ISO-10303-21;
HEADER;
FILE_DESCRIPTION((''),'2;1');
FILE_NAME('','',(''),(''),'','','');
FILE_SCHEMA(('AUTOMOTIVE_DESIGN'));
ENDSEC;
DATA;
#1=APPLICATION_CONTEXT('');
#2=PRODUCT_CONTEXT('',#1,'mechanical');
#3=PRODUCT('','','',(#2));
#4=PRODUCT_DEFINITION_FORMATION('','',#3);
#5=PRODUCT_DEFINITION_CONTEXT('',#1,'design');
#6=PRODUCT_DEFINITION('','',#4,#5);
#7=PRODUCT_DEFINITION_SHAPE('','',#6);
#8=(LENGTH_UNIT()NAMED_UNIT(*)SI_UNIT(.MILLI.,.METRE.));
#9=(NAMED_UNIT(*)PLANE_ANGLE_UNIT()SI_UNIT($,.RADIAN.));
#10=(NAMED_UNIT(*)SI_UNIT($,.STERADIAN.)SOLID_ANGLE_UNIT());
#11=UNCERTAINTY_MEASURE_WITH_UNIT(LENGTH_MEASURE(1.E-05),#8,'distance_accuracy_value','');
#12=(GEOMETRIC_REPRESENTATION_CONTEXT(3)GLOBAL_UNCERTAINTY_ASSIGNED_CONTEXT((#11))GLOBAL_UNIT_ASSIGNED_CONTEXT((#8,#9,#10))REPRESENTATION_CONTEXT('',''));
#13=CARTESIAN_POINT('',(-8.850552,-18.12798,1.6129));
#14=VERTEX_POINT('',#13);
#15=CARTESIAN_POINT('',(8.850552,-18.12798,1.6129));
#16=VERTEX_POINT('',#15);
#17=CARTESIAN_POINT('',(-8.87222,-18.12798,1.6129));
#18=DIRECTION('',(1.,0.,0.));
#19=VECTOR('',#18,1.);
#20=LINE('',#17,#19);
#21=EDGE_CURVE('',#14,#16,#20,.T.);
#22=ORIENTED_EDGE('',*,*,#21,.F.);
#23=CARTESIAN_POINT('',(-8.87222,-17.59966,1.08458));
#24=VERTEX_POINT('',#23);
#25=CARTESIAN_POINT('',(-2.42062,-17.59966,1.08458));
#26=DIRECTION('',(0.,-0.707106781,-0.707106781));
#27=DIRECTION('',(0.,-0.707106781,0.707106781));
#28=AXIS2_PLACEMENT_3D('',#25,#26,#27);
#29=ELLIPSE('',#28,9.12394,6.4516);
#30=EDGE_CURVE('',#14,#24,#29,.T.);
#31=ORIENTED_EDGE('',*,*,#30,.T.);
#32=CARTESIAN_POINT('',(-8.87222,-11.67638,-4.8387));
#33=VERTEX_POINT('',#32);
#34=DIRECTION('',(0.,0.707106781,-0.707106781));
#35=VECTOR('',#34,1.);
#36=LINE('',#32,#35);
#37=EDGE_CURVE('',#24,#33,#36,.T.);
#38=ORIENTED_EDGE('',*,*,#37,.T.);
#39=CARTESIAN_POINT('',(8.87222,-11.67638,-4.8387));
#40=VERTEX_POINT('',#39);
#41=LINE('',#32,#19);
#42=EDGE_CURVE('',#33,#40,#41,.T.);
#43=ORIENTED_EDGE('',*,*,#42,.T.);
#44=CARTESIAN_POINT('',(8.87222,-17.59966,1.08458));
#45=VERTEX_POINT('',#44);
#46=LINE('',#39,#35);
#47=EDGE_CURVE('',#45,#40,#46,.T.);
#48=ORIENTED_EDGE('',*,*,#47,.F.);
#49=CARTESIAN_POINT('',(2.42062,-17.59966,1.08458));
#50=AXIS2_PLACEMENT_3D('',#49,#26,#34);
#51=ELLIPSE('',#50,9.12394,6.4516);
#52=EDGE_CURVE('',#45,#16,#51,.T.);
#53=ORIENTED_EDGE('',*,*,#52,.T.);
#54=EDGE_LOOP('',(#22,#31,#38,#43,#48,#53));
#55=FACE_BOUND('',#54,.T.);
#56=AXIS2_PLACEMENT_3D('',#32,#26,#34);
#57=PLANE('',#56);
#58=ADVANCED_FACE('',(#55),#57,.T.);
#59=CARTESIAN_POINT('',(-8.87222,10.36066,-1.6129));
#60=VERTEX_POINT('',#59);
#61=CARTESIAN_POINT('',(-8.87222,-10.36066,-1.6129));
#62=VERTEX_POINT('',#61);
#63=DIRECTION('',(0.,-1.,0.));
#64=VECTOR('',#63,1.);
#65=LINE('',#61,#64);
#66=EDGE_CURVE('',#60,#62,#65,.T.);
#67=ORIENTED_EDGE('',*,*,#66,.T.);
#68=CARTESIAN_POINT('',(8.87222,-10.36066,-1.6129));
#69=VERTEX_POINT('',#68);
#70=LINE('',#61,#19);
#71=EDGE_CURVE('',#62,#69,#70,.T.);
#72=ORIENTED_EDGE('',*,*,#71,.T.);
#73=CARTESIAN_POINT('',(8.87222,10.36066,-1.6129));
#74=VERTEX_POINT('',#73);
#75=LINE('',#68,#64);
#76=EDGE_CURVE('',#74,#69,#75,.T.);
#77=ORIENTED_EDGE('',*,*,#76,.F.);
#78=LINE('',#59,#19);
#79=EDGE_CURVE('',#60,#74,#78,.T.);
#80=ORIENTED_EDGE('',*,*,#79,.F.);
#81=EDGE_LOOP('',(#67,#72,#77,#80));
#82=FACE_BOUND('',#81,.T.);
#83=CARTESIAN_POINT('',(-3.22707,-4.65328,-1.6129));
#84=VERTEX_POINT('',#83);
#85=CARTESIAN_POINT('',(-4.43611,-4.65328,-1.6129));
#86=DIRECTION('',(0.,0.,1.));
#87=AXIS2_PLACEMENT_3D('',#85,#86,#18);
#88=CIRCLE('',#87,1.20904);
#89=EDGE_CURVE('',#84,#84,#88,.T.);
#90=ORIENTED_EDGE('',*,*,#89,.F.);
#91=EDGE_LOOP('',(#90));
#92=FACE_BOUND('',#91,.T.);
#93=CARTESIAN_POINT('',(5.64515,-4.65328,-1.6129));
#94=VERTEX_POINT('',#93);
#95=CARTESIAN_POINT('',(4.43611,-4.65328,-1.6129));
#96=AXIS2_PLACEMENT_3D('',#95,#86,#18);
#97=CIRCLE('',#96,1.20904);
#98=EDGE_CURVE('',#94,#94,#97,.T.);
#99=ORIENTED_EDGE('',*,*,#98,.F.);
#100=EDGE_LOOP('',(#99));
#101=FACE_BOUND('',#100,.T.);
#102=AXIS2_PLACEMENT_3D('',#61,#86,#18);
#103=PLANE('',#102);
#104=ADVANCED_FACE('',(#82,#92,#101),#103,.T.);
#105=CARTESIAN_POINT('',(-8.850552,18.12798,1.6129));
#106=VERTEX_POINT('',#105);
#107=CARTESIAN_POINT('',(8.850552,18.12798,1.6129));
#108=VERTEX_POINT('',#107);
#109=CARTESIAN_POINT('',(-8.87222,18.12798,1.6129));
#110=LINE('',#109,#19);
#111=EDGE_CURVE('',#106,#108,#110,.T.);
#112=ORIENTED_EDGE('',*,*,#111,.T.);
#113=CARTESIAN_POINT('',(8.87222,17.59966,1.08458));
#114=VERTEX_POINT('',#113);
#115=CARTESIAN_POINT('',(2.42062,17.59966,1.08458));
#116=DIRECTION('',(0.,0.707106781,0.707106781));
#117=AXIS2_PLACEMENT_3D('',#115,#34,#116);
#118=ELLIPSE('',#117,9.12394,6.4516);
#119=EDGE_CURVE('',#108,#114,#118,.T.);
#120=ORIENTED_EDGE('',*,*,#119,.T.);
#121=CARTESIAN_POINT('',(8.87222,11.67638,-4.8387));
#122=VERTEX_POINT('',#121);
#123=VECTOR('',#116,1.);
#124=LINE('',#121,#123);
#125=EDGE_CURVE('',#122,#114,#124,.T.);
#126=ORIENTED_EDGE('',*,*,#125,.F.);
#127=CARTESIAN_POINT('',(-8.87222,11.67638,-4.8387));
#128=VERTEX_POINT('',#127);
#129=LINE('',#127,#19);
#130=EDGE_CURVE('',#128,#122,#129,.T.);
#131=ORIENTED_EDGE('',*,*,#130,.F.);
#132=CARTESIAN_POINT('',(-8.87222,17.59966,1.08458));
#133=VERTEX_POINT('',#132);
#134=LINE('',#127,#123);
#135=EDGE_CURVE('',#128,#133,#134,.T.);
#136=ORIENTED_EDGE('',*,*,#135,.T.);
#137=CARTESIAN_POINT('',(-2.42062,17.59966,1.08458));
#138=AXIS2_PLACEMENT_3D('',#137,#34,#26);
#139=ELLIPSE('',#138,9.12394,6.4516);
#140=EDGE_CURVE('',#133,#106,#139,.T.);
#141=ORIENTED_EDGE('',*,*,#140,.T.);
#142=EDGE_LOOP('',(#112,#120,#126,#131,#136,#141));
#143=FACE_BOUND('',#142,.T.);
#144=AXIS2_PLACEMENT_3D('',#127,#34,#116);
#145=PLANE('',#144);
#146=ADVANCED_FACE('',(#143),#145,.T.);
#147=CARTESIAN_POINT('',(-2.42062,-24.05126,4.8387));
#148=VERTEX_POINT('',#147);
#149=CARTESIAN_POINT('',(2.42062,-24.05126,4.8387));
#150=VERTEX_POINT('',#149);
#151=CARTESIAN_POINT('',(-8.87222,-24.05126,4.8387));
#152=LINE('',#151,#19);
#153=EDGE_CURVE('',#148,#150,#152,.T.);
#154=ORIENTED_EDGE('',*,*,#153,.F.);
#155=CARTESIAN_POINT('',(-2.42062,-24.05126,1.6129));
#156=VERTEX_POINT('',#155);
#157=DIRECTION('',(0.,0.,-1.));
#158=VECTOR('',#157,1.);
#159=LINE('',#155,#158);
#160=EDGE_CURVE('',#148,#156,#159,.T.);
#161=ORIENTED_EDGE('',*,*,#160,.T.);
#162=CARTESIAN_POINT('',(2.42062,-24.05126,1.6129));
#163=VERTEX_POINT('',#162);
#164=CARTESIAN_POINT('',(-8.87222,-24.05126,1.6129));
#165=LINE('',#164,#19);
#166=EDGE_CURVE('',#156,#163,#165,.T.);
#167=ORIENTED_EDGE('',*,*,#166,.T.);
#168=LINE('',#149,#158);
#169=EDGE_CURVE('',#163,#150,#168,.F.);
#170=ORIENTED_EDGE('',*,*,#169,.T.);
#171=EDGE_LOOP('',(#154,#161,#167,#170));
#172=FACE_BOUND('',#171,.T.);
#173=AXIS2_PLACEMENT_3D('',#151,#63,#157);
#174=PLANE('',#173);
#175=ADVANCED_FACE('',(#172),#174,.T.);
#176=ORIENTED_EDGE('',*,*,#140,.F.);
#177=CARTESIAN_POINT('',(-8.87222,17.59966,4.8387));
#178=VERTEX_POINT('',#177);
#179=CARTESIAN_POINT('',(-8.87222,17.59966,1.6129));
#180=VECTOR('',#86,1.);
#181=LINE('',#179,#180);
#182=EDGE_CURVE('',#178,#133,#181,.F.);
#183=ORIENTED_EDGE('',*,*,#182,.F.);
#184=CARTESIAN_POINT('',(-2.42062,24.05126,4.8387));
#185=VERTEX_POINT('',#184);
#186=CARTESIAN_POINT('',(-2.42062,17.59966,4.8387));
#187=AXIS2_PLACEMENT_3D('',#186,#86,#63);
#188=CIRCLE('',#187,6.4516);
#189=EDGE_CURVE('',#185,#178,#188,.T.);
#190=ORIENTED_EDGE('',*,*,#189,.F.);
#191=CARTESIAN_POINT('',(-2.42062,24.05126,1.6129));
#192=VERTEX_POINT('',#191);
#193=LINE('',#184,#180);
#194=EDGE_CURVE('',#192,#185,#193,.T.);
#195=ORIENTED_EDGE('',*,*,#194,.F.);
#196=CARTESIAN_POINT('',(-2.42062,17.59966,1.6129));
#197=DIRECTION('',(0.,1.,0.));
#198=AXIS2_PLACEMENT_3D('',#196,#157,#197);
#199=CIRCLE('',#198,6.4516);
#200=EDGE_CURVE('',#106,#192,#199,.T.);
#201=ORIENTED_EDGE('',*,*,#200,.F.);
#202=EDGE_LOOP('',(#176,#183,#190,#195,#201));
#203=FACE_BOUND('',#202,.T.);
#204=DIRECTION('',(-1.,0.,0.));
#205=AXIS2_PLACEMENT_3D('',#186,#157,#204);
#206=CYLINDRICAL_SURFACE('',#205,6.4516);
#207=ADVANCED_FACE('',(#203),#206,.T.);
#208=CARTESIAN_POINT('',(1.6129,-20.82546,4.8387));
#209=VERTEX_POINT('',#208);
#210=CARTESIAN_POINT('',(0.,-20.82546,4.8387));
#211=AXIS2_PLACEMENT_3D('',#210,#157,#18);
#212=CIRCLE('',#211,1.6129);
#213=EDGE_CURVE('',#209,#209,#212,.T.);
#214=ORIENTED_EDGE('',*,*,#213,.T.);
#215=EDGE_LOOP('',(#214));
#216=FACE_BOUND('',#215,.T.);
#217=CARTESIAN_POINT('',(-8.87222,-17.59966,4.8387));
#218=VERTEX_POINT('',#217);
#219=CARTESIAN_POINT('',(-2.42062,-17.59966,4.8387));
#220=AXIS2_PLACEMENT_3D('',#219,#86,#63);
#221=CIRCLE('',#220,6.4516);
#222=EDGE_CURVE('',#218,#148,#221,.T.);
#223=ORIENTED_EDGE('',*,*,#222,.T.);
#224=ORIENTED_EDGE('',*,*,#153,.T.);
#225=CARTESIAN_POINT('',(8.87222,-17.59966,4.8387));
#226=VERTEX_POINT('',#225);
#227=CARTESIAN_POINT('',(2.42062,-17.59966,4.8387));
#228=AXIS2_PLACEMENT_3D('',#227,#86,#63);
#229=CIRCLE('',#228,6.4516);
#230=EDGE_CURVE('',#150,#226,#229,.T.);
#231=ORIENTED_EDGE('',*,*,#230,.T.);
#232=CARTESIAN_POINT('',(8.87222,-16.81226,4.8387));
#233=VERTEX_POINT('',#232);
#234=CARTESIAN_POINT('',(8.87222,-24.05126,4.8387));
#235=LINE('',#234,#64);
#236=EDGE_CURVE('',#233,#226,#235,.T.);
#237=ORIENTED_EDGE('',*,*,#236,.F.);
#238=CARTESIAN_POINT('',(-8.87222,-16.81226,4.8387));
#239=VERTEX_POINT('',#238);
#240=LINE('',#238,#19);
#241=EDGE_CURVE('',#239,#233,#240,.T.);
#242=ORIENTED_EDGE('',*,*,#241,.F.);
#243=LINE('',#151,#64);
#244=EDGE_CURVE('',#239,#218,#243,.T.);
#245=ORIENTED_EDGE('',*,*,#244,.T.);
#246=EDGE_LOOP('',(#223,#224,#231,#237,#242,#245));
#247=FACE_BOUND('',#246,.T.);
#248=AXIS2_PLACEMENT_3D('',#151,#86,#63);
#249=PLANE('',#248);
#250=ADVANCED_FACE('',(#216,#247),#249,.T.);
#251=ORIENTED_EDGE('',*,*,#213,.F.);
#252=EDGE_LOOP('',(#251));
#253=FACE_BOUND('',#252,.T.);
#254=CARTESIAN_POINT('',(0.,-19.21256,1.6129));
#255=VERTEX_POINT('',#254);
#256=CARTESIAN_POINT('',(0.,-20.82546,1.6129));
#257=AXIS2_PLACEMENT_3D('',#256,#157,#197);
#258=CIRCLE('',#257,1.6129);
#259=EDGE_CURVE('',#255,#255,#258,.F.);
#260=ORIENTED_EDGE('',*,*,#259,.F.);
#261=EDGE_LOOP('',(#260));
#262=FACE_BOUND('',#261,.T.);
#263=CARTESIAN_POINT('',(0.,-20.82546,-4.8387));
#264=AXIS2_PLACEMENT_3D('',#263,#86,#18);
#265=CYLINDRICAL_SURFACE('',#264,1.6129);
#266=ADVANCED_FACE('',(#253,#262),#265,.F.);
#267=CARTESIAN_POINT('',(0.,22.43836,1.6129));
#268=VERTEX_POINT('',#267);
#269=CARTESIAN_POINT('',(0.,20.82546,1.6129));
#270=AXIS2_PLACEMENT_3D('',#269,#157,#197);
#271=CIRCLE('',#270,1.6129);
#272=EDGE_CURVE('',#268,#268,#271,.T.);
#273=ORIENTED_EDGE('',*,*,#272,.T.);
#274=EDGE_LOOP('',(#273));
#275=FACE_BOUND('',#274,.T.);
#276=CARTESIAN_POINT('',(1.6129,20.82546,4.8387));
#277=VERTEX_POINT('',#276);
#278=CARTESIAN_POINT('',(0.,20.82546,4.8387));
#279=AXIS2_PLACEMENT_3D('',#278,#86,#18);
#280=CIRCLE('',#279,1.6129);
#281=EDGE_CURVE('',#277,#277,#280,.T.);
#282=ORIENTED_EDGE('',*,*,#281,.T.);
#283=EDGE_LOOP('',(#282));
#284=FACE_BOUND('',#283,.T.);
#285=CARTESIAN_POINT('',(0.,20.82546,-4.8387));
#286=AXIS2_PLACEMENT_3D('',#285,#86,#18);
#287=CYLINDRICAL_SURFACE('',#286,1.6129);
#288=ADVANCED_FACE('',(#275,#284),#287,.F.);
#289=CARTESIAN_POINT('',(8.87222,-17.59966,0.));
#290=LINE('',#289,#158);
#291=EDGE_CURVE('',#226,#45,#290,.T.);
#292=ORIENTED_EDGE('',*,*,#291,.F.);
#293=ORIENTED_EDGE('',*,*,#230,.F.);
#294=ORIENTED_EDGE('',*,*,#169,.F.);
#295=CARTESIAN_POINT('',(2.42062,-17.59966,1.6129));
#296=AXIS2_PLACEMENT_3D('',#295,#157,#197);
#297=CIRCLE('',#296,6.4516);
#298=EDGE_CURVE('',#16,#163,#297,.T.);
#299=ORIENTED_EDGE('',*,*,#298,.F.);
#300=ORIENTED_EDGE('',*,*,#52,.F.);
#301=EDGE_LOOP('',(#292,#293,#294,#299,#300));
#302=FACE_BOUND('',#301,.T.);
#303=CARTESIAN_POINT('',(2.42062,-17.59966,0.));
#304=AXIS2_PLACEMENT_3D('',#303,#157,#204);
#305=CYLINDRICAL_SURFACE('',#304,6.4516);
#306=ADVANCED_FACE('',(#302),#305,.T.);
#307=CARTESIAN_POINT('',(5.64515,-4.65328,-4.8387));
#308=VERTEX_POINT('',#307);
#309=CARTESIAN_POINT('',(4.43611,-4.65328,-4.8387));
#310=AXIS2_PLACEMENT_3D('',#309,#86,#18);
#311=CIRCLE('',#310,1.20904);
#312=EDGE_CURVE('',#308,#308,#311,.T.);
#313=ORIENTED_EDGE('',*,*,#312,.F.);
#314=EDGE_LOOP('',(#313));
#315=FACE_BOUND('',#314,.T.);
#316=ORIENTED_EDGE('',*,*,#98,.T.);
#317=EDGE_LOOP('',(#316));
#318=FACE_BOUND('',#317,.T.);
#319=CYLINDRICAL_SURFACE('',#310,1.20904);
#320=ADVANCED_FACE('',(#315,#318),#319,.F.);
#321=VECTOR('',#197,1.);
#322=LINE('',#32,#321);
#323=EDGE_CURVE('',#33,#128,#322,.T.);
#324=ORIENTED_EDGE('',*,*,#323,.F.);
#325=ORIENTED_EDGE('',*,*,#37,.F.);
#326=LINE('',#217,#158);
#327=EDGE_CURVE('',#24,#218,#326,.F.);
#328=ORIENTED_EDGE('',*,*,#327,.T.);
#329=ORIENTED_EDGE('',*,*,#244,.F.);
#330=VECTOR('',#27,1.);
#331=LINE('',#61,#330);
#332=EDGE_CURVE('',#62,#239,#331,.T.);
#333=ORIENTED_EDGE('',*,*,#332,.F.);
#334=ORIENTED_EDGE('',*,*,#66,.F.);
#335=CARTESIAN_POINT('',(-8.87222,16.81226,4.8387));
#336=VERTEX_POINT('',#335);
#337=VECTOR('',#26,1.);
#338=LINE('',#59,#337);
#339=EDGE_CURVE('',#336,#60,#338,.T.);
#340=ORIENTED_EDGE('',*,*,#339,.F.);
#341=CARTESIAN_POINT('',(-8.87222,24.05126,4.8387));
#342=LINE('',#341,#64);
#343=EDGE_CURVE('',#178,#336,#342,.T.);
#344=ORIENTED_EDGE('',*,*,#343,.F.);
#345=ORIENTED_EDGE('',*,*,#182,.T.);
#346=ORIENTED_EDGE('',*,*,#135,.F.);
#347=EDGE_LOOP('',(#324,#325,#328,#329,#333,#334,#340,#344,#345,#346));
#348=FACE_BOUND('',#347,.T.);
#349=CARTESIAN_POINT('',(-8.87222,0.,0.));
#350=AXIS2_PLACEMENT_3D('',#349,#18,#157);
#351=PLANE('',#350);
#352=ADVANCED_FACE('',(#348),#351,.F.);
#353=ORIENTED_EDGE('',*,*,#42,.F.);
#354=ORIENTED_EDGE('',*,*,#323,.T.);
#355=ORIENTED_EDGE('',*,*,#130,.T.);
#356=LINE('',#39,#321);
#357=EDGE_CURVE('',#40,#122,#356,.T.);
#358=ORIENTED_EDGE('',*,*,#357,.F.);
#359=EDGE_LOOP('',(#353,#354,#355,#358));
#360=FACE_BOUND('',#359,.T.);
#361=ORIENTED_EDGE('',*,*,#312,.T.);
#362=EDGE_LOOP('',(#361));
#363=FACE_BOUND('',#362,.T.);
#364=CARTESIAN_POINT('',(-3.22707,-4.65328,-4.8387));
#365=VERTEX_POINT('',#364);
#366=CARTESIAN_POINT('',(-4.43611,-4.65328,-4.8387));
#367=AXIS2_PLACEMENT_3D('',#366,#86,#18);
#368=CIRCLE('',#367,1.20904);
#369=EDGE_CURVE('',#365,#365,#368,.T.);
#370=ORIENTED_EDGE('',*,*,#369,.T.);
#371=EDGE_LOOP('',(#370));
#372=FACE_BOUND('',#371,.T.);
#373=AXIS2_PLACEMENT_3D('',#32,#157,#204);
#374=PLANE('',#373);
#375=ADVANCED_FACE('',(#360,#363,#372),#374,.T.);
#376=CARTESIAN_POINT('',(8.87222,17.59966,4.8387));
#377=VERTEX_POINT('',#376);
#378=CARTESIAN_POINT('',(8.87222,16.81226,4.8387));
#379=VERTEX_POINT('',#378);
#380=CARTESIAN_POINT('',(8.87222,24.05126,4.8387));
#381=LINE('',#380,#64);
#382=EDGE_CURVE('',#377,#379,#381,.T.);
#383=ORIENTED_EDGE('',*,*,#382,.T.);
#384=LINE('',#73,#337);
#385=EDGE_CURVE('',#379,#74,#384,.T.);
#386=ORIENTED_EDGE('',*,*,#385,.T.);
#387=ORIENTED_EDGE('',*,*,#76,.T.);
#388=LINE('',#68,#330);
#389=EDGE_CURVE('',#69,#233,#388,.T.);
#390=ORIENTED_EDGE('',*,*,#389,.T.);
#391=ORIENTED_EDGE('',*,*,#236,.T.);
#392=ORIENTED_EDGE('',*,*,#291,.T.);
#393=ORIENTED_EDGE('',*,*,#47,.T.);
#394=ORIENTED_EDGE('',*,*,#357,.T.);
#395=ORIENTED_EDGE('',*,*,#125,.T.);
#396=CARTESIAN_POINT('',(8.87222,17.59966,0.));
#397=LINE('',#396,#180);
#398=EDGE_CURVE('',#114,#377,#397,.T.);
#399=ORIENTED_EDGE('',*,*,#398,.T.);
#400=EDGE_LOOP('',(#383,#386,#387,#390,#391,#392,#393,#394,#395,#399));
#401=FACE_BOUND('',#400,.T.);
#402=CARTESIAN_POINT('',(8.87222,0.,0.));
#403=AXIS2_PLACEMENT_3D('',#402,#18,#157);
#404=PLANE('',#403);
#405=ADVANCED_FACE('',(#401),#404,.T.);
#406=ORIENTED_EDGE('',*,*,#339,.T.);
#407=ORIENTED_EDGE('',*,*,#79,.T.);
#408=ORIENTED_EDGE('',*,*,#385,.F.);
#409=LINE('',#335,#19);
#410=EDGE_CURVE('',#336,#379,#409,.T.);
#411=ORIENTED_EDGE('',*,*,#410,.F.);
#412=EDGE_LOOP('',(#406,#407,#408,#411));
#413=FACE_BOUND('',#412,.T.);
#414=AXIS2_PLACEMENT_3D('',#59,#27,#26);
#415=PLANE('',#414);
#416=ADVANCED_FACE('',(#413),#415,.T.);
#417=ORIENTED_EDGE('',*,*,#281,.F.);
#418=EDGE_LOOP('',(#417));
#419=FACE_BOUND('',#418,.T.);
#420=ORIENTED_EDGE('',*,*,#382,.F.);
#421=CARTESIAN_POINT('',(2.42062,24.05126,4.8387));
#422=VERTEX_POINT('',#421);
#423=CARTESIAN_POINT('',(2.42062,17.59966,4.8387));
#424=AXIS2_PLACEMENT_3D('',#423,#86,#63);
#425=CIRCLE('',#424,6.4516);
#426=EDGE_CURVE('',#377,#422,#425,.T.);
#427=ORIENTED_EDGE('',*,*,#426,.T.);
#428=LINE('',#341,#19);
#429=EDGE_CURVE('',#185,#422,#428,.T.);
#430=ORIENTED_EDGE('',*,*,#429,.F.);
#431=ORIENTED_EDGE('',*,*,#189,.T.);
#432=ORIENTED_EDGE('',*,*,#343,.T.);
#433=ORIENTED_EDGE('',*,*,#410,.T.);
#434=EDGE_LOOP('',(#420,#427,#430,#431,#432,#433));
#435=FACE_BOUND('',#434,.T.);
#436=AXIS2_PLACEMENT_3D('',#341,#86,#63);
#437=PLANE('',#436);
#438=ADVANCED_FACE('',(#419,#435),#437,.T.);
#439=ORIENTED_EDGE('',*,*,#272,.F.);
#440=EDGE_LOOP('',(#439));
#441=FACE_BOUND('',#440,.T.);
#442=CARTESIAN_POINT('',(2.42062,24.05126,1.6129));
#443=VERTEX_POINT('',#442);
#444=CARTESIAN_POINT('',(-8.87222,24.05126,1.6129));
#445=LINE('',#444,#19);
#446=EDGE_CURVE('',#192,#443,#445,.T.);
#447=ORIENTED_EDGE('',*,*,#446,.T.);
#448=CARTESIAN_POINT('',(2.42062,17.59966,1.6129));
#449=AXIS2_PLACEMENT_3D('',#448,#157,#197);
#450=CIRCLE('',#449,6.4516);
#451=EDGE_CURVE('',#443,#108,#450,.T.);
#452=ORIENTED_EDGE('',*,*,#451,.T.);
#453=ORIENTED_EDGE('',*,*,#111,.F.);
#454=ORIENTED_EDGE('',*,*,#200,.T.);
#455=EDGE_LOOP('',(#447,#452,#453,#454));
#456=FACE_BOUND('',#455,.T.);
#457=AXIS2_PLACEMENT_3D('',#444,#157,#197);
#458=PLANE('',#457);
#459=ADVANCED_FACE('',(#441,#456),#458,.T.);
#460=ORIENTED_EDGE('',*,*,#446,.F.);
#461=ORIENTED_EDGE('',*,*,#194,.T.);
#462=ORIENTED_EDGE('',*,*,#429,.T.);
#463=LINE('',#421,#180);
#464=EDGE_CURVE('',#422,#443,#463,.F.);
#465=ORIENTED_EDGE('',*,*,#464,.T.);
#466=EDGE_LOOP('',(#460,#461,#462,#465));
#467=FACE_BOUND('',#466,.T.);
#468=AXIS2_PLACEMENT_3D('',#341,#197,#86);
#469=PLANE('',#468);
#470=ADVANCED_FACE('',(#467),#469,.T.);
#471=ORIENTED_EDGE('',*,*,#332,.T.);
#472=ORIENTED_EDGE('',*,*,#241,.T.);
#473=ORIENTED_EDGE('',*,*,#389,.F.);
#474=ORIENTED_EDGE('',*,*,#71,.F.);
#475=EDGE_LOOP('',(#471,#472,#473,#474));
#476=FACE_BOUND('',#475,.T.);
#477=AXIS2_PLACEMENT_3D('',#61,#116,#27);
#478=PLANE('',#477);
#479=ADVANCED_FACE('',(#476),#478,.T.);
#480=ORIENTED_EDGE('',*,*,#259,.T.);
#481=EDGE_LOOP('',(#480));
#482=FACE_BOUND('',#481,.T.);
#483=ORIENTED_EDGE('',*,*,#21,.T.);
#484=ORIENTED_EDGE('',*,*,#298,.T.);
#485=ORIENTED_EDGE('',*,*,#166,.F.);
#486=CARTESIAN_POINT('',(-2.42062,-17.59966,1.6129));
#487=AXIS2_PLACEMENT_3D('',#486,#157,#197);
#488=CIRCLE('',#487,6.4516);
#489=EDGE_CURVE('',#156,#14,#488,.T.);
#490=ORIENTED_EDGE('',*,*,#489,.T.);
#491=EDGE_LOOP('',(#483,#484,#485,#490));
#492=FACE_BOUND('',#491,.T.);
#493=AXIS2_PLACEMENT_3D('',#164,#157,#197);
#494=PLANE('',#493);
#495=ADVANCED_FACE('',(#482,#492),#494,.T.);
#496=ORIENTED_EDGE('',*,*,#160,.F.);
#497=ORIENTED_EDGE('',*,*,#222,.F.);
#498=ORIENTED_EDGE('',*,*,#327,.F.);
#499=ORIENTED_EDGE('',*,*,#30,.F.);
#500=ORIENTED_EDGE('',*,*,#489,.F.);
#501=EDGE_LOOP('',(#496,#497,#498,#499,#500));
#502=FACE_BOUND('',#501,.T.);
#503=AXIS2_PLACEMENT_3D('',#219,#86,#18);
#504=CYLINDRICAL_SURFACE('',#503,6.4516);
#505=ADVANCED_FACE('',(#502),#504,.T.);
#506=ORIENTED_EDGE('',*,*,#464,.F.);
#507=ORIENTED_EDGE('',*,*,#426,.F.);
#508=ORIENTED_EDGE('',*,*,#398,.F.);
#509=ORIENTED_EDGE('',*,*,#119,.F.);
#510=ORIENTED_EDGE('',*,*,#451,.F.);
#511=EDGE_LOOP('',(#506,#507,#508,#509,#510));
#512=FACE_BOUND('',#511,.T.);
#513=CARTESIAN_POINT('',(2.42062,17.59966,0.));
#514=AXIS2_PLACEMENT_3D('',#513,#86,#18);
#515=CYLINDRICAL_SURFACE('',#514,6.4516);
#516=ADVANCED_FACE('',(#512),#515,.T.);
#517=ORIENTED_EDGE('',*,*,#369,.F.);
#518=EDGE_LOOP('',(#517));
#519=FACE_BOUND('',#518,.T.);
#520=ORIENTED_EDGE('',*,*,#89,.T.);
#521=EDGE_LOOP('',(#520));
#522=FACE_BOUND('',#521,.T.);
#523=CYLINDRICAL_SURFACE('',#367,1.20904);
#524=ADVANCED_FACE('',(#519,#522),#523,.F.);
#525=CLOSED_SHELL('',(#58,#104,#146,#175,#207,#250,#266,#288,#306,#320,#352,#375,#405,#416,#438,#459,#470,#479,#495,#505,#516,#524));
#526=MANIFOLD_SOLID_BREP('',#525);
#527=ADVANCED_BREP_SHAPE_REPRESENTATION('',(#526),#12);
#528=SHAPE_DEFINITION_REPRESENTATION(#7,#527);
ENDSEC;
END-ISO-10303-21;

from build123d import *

# Parameters (mm, degrees)
BOSS_EXTRUDE1_DEPTH      = 8.87222
BOSS_EXTRUDE1_DEPTH_BACK = 8.87222
SKETCH2_R                = 1.6129
CUT_EXTRUDE1_DEPTH       = 28.401304094
SKETCH3_R                = 1.20904
CUT_EXTRUDE2_DEPTH       = 27.434873517
FILLET1_R                = 6.4516


with BuildPart() as part:
    # Sketch1 → Boss-Extrude1 (new, two sides: drawn at the far end of the back side and taken through both)
    with BuildSketch(Plane(origin=(0, 0, 0), x_dir=(0, 0, -1), z_dir=(1, 0, 0)).offset(-BOSS_EXTRUDE1_DEPTH_BACK)):
        Polygon((-4.8387, 24.05126), (-1.6129, 24.05126), (-1.6129, 18.12798), (4.8387, 11.67638), (4.8387, -11.67638), (-1.6129, -18.12798), (-1.6129, -24.05126), (-4.8387, -24.05126), (-4.8387, -16.81226), (1.6129, -10.36066), (1.6129, 10.36066), (-4.8387, 16.81226), align=None)
    extrude(amount=BOSS_EXTRUDE1_DEPTH + BOSS_EXTRUDE1_DEPTH_BACK)

    # Sketch2 → Cut-Extrude1 (cut, through all)
    with BuildSketch(Plane.XY.offset(4.8387)):
        with Locations((0, 20.82546)):
            Circle(SKETCH2_R)
    cut_extrude1 = extrude(amount=-CUT_EXTRUDE1_DEPTH, mode=Mode.SUBTRACT)

    # Mirror1: Cut-Extrude1 across plane
    add(cut_extrude1.mirror(Plane.ZX), mode=Mode.SUBTRACT)

    # Sketch3 → Cut-Extrude2 (cut, through all)
    with BuildSketch(Plane.XY.offset(-1.6129)):
        with Locations((-4.43611, -4.65328)):
            Circle(SKETCH3_R)
        with Locations((4.43611, -4.65328)):
            Circle(SKETCH3_R)
    extrude(amount=-CUT_EXTRUDE2_DEPTH, mode=Mode.SUBTRACT)

    # Fillet1
    fillet1_edges = [part.edges().sort_by_distance(p)[0] for p in [
        (-8.87222, -24.05126, 3.2258),
        (8.87222, -24.05126, 3.2258),
        (8.87222, 24.05126, 3.2258),
        (-8.87222, 24.05126, 3.2258),
    ]]
    fillet(fillet1_edges, radius=FILLET1_R)


solid = part.part
